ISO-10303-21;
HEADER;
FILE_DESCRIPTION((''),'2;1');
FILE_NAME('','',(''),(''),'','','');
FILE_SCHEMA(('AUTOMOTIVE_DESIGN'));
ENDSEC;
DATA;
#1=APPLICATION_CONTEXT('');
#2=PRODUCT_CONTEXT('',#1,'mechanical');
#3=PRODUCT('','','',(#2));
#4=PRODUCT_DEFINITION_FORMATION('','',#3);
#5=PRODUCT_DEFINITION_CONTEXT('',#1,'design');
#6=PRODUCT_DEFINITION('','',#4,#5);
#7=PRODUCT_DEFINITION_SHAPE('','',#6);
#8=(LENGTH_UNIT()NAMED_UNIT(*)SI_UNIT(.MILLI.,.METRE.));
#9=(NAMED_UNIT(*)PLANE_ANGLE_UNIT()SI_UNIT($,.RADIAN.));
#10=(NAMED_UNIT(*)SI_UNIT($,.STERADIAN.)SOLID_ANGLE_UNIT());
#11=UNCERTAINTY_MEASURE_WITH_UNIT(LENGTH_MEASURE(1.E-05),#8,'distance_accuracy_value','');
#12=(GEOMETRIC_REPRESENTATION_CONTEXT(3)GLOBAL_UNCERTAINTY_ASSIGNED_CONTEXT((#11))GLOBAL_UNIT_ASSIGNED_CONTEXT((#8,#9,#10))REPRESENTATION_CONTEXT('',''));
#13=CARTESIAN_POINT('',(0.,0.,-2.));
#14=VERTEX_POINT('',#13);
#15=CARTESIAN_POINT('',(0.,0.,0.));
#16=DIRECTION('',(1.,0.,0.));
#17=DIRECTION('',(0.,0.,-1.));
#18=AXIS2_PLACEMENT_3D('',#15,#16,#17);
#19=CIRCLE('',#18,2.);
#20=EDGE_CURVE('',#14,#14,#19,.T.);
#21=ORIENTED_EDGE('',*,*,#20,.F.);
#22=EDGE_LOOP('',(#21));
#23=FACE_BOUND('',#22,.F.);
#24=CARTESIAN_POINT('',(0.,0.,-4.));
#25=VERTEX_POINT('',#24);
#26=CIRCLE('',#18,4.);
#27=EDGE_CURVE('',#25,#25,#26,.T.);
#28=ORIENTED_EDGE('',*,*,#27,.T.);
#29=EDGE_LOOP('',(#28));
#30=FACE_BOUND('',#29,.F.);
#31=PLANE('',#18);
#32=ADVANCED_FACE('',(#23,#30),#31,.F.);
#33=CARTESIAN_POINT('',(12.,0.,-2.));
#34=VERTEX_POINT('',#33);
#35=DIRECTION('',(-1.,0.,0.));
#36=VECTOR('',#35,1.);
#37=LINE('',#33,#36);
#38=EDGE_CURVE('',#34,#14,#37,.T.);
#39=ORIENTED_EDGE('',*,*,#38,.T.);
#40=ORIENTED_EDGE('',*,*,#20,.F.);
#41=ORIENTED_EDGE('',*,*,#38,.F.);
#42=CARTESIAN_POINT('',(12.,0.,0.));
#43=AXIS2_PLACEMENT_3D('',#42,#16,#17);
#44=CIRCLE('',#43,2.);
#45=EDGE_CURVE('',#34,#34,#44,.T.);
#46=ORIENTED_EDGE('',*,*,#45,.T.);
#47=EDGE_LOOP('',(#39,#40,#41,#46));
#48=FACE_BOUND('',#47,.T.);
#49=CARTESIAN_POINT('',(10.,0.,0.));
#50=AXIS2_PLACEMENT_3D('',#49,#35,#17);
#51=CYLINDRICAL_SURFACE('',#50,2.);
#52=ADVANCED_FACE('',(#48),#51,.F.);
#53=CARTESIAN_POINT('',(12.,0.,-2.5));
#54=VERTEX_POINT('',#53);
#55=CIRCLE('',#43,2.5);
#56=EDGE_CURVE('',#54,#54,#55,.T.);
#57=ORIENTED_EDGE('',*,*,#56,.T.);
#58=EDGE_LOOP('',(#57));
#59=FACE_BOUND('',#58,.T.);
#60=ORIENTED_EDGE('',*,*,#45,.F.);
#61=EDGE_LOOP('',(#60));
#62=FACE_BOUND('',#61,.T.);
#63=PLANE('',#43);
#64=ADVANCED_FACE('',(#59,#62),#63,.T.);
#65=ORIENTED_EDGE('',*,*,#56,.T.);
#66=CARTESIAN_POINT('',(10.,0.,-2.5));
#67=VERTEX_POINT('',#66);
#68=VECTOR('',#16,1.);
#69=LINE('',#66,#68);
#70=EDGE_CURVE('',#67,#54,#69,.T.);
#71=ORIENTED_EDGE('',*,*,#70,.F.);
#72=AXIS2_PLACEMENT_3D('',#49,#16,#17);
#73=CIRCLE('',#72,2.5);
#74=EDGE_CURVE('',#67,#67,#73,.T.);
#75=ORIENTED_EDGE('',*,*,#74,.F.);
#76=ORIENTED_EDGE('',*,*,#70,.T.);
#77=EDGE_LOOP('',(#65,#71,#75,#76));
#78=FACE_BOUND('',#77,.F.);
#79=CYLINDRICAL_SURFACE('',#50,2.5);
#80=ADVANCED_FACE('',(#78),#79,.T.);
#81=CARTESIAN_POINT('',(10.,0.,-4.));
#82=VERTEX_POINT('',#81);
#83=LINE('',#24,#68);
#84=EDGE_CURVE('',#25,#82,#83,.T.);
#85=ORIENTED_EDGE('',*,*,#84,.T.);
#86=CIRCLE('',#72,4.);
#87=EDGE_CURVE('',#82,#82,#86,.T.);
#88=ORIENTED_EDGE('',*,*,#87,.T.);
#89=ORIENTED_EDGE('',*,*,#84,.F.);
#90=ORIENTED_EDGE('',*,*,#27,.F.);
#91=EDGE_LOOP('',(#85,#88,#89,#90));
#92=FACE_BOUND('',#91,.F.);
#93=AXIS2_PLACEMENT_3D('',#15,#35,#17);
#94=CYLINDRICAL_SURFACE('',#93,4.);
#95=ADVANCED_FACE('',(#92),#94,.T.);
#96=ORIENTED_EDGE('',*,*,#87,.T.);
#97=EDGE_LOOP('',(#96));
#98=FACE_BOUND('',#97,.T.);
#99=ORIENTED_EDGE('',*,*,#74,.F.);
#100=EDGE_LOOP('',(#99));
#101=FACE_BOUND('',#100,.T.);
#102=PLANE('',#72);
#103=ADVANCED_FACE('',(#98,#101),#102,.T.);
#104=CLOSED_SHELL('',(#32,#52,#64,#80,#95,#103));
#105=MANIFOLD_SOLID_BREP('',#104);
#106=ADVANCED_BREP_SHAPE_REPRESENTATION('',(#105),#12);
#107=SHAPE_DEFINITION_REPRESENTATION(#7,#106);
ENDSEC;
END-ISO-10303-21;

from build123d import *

# Parameters (mm, degrees)
SKETCH1_R           = 4
SKETCH1_R_2         = 2
BOSS_EXTRUDE1_DEPTH = 10
SKETCH2_R           = 2.5
SKETCH2_R_2         = 2
BOSS_EXTRUDE2_DEPTH = 2


with BuildPart() as part:
    # Sketch1 → Boss-Extrude1 (new body)
    with BuildSketch(Plane(origin=(0, 0, 0), x_dir=(0, 0, -1), z_dir=(1, 0, 0))):
        Circle(SKETCH1_R)
        Circle(SKETCH1_R_2, mode=Mode.SUBTRACT)
    extrude(amount=BOSS_EXTRUDE1_DEPTH)

    # Sketch2 → Boss-Extrude2 (add)
    with BuildSketch(Plane(origin=(10, 0, 0), x_dir=(0, 0, -1), z_dir=(1, 0, 0))):
        Circle(SKETCH2_R)
        Circle(SKETCH2_R_2, mode=Mode.SUBTRACT)
    extrude(amount=BOSS_EXTRUDE2_DEPTH)


solid = part.part
